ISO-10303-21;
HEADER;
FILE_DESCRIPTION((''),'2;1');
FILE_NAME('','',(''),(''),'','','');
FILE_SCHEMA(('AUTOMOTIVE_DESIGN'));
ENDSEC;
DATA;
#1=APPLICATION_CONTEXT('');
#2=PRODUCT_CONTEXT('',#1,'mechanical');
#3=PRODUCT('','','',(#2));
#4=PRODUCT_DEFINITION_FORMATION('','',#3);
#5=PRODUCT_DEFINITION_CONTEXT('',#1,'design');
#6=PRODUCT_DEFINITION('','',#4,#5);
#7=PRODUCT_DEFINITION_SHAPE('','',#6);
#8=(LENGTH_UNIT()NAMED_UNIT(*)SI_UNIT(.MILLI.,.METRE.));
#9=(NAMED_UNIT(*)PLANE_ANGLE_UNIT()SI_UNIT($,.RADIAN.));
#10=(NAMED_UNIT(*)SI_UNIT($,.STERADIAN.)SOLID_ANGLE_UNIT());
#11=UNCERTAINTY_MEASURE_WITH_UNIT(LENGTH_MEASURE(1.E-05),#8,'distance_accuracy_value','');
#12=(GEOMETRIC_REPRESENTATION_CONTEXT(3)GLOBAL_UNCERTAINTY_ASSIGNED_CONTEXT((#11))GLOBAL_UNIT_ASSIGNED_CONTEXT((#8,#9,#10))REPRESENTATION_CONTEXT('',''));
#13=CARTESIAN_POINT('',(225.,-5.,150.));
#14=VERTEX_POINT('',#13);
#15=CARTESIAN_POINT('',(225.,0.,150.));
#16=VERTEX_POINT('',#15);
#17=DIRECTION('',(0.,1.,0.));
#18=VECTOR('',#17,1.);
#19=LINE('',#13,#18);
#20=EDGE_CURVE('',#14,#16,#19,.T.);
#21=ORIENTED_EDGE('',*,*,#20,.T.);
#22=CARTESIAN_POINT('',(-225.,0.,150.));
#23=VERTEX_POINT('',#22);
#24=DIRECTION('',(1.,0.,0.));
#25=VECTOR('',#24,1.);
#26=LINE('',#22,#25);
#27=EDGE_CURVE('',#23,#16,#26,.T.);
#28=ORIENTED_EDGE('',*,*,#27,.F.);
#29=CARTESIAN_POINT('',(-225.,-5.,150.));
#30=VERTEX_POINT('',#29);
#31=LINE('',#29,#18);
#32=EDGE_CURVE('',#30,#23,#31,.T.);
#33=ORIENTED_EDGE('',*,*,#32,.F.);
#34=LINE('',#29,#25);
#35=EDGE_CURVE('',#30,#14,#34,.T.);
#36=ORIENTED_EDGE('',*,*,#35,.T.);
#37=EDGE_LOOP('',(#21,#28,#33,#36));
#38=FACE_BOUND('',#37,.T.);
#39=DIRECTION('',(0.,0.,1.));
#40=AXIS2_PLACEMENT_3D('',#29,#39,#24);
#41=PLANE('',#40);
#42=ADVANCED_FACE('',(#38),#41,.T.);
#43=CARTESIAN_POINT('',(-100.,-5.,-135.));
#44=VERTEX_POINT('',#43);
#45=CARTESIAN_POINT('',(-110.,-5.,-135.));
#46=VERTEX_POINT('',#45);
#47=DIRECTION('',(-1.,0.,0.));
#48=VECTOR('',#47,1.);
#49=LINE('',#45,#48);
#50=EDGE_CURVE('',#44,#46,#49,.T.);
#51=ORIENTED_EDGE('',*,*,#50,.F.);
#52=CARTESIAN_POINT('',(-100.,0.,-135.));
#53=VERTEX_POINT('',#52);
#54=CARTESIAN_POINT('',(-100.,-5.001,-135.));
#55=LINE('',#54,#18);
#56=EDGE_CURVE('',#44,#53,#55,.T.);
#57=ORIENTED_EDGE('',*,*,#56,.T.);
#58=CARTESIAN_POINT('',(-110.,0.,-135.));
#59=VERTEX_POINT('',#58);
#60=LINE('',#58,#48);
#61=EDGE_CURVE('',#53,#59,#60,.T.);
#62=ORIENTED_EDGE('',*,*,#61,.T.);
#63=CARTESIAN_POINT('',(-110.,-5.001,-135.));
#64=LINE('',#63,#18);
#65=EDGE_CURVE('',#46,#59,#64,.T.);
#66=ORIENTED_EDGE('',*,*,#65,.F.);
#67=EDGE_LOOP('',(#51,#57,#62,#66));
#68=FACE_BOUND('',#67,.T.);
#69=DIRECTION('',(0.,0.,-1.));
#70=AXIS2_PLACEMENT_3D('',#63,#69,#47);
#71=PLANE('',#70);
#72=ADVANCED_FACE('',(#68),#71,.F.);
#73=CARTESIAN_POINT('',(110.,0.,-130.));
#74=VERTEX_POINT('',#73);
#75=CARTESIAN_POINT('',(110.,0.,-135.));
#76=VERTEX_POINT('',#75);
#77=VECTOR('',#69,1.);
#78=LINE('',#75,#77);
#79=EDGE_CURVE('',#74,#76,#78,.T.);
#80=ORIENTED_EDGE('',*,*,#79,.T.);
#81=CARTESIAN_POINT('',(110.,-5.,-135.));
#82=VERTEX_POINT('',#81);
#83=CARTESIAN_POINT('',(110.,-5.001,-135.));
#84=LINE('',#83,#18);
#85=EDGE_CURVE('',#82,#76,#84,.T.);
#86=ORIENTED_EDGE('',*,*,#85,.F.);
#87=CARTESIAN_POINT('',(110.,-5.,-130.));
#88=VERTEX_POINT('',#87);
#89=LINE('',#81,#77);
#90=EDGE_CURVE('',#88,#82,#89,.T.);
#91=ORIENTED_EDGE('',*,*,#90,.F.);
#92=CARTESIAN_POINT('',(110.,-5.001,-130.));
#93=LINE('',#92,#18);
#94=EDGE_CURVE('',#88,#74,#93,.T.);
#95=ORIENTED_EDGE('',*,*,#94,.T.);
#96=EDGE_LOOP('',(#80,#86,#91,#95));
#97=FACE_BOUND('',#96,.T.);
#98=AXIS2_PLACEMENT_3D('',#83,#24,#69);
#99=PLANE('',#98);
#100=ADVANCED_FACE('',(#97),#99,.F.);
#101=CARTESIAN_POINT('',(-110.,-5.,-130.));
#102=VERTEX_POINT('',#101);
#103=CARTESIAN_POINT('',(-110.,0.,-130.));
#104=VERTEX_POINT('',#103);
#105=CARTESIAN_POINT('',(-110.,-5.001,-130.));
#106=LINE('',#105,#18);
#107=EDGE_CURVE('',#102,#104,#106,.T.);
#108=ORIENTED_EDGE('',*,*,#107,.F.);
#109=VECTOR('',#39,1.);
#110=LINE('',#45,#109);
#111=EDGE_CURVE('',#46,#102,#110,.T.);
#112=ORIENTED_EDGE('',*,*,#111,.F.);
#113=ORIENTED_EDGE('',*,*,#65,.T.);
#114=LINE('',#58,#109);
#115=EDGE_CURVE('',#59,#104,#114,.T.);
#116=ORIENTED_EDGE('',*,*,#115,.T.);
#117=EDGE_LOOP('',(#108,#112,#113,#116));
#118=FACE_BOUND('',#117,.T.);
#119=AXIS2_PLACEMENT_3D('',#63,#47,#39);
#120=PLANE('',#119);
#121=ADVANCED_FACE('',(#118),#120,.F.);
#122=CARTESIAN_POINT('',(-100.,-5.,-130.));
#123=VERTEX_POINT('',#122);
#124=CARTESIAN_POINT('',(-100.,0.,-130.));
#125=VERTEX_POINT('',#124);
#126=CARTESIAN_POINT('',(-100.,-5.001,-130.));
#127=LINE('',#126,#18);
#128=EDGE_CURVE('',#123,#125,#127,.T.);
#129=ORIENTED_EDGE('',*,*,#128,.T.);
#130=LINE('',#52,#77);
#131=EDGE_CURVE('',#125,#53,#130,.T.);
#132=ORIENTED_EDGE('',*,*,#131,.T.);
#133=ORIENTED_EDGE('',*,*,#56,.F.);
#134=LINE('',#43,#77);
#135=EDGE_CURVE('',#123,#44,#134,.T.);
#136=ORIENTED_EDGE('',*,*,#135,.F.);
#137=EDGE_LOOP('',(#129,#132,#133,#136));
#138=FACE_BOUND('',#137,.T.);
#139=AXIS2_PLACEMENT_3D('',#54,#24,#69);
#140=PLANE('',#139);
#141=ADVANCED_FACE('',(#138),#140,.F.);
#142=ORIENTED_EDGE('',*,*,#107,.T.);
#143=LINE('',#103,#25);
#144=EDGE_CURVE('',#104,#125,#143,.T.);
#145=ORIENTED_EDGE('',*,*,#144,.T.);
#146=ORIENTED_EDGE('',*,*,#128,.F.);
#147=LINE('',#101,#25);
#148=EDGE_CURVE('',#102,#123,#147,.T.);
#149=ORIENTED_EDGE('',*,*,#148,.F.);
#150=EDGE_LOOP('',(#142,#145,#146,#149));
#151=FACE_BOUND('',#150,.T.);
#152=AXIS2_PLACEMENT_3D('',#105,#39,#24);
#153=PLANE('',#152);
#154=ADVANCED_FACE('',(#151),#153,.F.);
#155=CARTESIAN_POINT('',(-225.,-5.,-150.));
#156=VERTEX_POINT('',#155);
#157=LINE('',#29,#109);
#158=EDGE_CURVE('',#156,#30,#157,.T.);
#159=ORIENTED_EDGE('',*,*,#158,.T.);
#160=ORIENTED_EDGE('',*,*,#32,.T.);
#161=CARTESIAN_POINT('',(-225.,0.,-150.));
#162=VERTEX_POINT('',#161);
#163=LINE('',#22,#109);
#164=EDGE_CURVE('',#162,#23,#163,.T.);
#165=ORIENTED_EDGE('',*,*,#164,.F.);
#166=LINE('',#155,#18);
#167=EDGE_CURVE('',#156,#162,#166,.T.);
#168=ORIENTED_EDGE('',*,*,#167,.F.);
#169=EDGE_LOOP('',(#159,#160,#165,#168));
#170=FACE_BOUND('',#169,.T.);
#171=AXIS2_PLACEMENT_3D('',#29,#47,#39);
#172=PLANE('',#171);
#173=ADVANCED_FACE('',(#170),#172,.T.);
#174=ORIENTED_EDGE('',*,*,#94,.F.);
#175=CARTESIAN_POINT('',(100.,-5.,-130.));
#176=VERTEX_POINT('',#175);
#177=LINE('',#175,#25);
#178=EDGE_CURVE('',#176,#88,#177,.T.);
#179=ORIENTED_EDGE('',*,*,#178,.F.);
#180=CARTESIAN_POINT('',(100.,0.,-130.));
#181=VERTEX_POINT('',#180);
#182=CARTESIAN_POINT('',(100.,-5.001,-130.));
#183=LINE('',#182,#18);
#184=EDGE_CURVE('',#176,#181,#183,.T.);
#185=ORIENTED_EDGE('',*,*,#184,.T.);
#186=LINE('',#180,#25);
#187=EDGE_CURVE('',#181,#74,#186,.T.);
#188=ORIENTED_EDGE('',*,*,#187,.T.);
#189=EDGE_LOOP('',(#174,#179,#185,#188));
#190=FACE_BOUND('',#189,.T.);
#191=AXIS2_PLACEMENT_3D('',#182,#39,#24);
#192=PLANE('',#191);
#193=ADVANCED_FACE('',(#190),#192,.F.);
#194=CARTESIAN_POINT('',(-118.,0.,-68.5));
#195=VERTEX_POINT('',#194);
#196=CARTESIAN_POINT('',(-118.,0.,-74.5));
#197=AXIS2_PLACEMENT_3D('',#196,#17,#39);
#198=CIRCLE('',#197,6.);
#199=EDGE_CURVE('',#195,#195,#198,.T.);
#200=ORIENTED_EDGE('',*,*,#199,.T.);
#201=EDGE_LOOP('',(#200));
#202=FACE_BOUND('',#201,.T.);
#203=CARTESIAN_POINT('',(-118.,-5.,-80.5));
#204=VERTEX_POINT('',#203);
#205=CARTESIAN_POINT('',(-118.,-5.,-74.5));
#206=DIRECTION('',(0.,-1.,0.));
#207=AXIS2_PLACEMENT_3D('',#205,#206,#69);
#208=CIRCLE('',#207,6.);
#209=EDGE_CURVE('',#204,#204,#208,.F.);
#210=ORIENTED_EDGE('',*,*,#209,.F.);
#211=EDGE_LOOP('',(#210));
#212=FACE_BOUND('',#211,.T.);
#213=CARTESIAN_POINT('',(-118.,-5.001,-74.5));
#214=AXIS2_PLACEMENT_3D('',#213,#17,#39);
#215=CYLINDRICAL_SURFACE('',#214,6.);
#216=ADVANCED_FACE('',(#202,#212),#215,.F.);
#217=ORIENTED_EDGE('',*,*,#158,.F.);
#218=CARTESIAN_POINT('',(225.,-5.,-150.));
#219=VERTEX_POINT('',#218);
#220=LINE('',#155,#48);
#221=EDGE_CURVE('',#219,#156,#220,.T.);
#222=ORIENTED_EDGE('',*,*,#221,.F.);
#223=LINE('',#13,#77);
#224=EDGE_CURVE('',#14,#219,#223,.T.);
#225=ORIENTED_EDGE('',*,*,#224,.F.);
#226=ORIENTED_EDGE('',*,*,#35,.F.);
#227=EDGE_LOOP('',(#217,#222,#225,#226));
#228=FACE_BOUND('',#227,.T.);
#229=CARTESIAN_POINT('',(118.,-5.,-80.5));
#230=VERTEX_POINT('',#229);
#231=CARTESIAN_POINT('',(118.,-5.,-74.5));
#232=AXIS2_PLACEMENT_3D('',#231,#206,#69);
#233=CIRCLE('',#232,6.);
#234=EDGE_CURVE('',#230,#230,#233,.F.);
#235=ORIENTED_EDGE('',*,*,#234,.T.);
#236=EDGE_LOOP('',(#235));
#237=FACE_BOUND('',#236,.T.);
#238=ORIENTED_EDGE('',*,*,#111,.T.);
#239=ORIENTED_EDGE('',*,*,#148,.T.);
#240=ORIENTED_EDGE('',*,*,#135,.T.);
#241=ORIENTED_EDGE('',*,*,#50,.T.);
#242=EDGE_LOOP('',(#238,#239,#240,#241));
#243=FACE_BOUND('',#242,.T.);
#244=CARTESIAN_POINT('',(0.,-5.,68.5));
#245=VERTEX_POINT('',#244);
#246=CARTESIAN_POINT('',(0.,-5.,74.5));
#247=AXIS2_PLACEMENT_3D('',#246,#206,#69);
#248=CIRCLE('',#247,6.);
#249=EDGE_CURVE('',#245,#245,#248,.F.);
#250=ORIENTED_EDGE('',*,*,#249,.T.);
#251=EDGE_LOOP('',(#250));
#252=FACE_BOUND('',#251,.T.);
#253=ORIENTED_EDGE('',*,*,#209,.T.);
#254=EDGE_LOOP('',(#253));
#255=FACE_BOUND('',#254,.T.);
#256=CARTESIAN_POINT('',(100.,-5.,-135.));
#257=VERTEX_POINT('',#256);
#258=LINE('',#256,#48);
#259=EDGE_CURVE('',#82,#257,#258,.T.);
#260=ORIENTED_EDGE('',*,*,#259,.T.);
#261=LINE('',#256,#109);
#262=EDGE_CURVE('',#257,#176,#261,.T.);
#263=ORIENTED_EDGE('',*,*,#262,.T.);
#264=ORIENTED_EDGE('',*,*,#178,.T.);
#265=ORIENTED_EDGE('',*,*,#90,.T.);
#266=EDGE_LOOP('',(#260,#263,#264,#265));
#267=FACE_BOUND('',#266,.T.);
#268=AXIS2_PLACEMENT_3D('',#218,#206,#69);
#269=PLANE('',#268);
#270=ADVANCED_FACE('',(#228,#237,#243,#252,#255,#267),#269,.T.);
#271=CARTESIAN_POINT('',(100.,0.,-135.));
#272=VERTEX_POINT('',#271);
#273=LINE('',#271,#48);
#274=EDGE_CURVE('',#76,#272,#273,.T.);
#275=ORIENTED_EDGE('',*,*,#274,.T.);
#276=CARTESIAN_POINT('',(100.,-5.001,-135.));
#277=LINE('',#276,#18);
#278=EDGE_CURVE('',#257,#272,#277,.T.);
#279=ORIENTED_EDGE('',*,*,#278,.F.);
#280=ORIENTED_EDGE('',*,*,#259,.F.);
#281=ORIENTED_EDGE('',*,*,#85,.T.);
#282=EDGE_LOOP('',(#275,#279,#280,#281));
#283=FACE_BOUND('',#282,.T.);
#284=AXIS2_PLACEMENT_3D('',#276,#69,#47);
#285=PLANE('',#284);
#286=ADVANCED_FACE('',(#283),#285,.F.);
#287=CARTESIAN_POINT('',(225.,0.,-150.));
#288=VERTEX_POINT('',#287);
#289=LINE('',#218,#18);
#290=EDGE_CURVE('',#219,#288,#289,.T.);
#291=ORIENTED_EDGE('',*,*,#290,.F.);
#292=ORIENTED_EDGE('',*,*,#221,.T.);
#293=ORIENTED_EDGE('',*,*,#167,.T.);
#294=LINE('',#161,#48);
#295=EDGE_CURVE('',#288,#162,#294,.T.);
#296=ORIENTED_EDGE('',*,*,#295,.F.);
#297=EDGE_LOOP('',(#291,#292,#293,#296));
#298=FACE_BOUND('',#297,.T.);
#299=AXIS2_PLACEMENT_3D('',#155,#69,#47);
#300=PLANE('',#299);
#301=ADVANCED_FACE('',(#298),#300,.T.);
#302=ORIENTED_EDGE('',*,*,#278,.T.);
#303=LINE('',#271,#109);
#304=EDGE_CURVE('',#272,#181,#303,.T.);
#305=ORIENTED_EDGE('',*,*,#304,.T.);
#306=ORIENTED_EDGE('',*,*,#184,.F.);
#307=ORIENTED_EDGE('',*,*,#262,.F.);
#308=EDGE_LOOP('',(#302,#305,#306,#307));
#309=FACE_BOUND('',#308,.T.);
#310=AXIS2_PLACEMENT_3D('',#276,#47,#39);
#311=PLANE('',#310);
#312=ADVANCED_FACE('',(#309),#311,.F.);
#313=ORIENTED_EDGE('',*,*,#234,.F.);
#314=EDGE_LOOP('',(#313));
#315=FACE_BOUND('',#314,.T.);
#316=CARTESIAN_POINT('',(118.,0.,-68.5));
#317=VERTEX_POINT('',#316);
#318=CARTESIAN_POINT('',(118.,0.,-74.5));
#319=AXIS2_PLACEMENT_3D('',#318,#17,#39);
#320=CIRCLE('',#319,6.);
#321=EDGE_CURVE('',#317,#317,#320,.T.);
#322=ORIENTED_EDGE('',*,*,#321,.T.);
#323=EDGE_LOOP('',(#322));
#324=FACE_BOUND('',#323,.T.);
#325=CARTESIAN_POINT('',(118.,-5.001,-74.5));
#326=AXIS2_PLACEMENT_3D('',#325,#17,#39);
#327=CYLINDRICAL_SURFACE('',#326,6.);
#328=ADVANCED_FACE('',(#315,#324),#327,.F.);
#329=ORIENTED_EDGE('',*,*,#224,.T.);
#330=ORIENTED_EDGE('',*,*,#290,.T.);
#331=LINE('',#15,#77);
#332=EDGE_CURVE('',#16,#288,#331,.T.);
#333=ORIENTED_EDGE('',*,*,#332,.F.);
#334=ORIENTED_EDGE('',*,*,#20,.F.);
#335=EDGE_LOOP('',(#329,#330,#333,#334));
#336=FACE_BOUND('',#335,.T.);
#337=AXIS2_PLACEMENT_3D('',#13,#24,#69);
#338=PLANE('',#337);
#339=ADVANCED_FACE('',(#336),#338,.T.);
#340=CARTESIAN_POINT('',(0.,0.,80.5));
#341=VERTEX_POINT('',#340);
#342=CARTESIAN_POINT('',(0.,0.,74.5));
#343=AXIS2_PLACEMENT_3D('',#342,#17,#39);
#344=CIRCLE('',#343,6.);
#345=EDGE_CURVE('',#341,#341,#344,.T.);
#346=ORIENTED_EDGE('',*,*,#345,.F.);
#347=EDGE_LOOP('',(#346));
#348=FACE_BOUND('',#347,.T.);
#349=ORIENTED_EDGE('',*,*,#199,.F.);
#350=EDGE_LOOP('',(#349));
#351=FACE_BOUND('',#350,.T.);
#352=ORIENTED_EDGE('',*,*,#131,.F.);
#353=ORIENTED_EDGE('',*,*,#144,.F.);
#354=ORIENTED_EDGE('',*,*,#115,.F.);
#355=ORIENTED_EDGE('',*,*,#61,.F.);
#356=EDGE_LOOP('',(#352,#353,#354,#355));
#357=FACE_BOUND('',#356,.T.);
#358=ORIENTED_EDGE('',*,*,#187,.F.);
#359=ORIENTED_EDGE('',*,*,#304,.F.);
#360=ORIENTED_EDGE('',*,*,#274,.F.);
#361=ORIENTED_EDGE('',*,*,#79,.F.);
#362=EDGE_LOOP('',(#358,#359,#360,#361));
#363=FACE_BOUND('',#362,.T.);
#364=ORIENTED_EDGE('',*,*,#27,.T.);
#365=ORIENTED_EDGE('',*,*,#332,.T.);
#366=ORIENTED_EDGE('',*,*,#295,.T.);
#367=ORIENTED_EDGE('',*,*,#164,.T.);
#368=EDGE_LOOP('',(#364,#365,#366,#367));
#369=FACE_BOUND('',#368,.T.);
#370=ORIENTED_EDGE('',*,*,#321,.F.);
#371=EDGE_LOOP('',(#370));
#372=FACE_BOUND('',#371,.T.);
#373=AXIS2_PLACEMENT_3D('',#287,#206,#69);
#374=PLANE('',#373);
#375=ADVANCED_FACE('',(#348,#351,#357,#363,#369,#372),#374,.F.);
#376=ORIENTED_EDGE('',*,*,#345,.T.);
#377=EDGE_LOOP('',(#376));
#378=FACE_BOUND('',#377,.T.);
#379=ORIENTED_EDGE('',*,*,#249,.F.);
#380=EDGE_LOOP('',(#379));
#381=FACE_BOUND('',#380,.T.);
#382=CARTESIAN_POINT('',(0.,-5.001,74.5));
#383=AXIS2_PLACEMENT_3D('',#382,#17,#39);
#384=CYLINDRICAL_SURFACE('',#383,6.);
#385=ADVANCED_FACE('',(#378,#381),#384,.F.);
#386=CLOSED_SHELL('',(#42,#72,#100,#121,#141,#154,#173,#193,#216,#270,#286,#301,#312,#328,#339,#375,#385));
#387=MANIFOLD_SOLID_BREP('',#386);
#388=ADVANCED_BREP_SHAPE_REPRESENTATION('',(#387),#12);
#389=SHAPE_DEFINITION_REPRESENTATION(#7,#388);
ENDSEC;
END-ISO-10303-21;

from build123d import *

# Parameters (mm, degrees)
SKETCH1_W      = 450
SKETCH1_H      = 300
EXTRUDE1_DEPTH = 5
EXTRUDE2_REACH = 272.463
SKETCH2_R      = 6
EXTRUDE3_REACH = 272.463
SKETCH3_W      = 10
SKETCH3_H      = 5


with BuildPart() as part:
    # Sketch1 → Extrude1 (new body)
    with BuildSketch(Plane(origin=(0, 0, 0), x_dir=(1, 0, 0), z_dir=(0, 1, 0))):
        Rectangle(SKETCH1_W, SKETCH1_H)
    extrude(amount=-EXTRUDE1_DEPTH)

    # Sketch2 → Extrude2 (cut, up to next)
    with BuildSketch(Plane(origin=(0, 0, 0), x_dir=(1, 0, 0), z_dir=(0, 1, 0)), mode=Mode.PRIVATE) as extrude2_sk1:
        with Locations(Location((0, -74.5, 0), (0, 0, 270))):
            Circle(SKETCH2_R)
    extrude2_tool1 = extrude(extrude2_sk1.sketch, amount=-EXTRUDE2_REACH, mode=Mode.PRIVATE) & part.part
    # Sketch2 → Extrude2 (cut, up to next)
    with BuildSketch(Plane(origin=(0, 0, 0), x_dir=(1, 0, 0), z_dir=(0, 1, 0)), mode=Mode.PRIVATE) as extrude2_sk2:
        with Locations(Location((118, 74.5, 0), (0, 0, 270))):
            Circle(SKETCH2_R)
    extrude2_tool2 = extrude(extrude2_sk2.sketch, amount=-EXTRUDE2_REACH, mode=Mode.PRIVATE) & part.part
    # Sketch2 → Extrude2 (cut, up to next)
    with BuildSketch(Plane(origin=(0, 0, 0), x_dir=(1, 0, 0), z_dir=(0, 1, 0)), mode=Mode.PRIVATE) as extrude2_sk3:
        with Locations(Location((-118, 74.5, 0), (0, 0, 270))):
            Circle(SKETCH2_R)
    extrude2_tool3 = extrude(extrude2_sk3.sketch, amount=-EXTRUDE2_REACH, mode=Mode.PRIVATE) & part.part
    add(extrude2_tool1.solids().sort_by_distance((0, 0, 74.5))[0], mode=Mode.SUBTRACT)
    add(extrude2_tool2.solids().sort_by_distance((118, 0, -74.5))[0], mode=Mode.SUBTRACT)
    add(extrude2_tool3.solids().sort_by_distance((-118, 0, -74.5))[0], mode=Mode.SUBTRACT)

    # Sketch3 → Extrude3 (cut, up to next)
    with BuildSketch(Plane(origin=(0, 0, 0), x_dir=(1, 0, 0), z_dir=(0, 1, 0)), mode=Mode.PRIVATE) as extrude3_sk1:
        with Locations((-105, 132.5)):
            Rectangle(SKETCH3_W, SKETCH3_H)
    extrude3_tool1 = extrude(extrude3_sk1.sketch, amount=-EXTRUDE3_REACH, mode=Mode.PRIVATE) & part.part
    # Sketch3 → Extrude3 (cut, up to next)
    with BuildSketch(Plane(origin=(0, 0, 0), x_dir=(1, 0, 0), z_dir=(0, 1, 0)), mode=Mode.PRIVATE) as extrude3_sk2:
        with Locations((105, 132.5)):
            Rectangle(SKETCH3_W, SKETCH3_H)
    extrude3_tool2 = extrude(extrude3_sk2.sketch, amount=-EXTRUDE3_REACH, mode=Mode.PRIVATE) & part.part
    add(extrude3_tool1.solids().sort_by_distance((-105, 0, -132.5))[0], mode=Mode.SUBTRACT)
    add(extrude3_tool2.solids().sort_by_distance((105, 0, -132.5))[0], mode=Mode.SUBTRACT)


solid = part.part
